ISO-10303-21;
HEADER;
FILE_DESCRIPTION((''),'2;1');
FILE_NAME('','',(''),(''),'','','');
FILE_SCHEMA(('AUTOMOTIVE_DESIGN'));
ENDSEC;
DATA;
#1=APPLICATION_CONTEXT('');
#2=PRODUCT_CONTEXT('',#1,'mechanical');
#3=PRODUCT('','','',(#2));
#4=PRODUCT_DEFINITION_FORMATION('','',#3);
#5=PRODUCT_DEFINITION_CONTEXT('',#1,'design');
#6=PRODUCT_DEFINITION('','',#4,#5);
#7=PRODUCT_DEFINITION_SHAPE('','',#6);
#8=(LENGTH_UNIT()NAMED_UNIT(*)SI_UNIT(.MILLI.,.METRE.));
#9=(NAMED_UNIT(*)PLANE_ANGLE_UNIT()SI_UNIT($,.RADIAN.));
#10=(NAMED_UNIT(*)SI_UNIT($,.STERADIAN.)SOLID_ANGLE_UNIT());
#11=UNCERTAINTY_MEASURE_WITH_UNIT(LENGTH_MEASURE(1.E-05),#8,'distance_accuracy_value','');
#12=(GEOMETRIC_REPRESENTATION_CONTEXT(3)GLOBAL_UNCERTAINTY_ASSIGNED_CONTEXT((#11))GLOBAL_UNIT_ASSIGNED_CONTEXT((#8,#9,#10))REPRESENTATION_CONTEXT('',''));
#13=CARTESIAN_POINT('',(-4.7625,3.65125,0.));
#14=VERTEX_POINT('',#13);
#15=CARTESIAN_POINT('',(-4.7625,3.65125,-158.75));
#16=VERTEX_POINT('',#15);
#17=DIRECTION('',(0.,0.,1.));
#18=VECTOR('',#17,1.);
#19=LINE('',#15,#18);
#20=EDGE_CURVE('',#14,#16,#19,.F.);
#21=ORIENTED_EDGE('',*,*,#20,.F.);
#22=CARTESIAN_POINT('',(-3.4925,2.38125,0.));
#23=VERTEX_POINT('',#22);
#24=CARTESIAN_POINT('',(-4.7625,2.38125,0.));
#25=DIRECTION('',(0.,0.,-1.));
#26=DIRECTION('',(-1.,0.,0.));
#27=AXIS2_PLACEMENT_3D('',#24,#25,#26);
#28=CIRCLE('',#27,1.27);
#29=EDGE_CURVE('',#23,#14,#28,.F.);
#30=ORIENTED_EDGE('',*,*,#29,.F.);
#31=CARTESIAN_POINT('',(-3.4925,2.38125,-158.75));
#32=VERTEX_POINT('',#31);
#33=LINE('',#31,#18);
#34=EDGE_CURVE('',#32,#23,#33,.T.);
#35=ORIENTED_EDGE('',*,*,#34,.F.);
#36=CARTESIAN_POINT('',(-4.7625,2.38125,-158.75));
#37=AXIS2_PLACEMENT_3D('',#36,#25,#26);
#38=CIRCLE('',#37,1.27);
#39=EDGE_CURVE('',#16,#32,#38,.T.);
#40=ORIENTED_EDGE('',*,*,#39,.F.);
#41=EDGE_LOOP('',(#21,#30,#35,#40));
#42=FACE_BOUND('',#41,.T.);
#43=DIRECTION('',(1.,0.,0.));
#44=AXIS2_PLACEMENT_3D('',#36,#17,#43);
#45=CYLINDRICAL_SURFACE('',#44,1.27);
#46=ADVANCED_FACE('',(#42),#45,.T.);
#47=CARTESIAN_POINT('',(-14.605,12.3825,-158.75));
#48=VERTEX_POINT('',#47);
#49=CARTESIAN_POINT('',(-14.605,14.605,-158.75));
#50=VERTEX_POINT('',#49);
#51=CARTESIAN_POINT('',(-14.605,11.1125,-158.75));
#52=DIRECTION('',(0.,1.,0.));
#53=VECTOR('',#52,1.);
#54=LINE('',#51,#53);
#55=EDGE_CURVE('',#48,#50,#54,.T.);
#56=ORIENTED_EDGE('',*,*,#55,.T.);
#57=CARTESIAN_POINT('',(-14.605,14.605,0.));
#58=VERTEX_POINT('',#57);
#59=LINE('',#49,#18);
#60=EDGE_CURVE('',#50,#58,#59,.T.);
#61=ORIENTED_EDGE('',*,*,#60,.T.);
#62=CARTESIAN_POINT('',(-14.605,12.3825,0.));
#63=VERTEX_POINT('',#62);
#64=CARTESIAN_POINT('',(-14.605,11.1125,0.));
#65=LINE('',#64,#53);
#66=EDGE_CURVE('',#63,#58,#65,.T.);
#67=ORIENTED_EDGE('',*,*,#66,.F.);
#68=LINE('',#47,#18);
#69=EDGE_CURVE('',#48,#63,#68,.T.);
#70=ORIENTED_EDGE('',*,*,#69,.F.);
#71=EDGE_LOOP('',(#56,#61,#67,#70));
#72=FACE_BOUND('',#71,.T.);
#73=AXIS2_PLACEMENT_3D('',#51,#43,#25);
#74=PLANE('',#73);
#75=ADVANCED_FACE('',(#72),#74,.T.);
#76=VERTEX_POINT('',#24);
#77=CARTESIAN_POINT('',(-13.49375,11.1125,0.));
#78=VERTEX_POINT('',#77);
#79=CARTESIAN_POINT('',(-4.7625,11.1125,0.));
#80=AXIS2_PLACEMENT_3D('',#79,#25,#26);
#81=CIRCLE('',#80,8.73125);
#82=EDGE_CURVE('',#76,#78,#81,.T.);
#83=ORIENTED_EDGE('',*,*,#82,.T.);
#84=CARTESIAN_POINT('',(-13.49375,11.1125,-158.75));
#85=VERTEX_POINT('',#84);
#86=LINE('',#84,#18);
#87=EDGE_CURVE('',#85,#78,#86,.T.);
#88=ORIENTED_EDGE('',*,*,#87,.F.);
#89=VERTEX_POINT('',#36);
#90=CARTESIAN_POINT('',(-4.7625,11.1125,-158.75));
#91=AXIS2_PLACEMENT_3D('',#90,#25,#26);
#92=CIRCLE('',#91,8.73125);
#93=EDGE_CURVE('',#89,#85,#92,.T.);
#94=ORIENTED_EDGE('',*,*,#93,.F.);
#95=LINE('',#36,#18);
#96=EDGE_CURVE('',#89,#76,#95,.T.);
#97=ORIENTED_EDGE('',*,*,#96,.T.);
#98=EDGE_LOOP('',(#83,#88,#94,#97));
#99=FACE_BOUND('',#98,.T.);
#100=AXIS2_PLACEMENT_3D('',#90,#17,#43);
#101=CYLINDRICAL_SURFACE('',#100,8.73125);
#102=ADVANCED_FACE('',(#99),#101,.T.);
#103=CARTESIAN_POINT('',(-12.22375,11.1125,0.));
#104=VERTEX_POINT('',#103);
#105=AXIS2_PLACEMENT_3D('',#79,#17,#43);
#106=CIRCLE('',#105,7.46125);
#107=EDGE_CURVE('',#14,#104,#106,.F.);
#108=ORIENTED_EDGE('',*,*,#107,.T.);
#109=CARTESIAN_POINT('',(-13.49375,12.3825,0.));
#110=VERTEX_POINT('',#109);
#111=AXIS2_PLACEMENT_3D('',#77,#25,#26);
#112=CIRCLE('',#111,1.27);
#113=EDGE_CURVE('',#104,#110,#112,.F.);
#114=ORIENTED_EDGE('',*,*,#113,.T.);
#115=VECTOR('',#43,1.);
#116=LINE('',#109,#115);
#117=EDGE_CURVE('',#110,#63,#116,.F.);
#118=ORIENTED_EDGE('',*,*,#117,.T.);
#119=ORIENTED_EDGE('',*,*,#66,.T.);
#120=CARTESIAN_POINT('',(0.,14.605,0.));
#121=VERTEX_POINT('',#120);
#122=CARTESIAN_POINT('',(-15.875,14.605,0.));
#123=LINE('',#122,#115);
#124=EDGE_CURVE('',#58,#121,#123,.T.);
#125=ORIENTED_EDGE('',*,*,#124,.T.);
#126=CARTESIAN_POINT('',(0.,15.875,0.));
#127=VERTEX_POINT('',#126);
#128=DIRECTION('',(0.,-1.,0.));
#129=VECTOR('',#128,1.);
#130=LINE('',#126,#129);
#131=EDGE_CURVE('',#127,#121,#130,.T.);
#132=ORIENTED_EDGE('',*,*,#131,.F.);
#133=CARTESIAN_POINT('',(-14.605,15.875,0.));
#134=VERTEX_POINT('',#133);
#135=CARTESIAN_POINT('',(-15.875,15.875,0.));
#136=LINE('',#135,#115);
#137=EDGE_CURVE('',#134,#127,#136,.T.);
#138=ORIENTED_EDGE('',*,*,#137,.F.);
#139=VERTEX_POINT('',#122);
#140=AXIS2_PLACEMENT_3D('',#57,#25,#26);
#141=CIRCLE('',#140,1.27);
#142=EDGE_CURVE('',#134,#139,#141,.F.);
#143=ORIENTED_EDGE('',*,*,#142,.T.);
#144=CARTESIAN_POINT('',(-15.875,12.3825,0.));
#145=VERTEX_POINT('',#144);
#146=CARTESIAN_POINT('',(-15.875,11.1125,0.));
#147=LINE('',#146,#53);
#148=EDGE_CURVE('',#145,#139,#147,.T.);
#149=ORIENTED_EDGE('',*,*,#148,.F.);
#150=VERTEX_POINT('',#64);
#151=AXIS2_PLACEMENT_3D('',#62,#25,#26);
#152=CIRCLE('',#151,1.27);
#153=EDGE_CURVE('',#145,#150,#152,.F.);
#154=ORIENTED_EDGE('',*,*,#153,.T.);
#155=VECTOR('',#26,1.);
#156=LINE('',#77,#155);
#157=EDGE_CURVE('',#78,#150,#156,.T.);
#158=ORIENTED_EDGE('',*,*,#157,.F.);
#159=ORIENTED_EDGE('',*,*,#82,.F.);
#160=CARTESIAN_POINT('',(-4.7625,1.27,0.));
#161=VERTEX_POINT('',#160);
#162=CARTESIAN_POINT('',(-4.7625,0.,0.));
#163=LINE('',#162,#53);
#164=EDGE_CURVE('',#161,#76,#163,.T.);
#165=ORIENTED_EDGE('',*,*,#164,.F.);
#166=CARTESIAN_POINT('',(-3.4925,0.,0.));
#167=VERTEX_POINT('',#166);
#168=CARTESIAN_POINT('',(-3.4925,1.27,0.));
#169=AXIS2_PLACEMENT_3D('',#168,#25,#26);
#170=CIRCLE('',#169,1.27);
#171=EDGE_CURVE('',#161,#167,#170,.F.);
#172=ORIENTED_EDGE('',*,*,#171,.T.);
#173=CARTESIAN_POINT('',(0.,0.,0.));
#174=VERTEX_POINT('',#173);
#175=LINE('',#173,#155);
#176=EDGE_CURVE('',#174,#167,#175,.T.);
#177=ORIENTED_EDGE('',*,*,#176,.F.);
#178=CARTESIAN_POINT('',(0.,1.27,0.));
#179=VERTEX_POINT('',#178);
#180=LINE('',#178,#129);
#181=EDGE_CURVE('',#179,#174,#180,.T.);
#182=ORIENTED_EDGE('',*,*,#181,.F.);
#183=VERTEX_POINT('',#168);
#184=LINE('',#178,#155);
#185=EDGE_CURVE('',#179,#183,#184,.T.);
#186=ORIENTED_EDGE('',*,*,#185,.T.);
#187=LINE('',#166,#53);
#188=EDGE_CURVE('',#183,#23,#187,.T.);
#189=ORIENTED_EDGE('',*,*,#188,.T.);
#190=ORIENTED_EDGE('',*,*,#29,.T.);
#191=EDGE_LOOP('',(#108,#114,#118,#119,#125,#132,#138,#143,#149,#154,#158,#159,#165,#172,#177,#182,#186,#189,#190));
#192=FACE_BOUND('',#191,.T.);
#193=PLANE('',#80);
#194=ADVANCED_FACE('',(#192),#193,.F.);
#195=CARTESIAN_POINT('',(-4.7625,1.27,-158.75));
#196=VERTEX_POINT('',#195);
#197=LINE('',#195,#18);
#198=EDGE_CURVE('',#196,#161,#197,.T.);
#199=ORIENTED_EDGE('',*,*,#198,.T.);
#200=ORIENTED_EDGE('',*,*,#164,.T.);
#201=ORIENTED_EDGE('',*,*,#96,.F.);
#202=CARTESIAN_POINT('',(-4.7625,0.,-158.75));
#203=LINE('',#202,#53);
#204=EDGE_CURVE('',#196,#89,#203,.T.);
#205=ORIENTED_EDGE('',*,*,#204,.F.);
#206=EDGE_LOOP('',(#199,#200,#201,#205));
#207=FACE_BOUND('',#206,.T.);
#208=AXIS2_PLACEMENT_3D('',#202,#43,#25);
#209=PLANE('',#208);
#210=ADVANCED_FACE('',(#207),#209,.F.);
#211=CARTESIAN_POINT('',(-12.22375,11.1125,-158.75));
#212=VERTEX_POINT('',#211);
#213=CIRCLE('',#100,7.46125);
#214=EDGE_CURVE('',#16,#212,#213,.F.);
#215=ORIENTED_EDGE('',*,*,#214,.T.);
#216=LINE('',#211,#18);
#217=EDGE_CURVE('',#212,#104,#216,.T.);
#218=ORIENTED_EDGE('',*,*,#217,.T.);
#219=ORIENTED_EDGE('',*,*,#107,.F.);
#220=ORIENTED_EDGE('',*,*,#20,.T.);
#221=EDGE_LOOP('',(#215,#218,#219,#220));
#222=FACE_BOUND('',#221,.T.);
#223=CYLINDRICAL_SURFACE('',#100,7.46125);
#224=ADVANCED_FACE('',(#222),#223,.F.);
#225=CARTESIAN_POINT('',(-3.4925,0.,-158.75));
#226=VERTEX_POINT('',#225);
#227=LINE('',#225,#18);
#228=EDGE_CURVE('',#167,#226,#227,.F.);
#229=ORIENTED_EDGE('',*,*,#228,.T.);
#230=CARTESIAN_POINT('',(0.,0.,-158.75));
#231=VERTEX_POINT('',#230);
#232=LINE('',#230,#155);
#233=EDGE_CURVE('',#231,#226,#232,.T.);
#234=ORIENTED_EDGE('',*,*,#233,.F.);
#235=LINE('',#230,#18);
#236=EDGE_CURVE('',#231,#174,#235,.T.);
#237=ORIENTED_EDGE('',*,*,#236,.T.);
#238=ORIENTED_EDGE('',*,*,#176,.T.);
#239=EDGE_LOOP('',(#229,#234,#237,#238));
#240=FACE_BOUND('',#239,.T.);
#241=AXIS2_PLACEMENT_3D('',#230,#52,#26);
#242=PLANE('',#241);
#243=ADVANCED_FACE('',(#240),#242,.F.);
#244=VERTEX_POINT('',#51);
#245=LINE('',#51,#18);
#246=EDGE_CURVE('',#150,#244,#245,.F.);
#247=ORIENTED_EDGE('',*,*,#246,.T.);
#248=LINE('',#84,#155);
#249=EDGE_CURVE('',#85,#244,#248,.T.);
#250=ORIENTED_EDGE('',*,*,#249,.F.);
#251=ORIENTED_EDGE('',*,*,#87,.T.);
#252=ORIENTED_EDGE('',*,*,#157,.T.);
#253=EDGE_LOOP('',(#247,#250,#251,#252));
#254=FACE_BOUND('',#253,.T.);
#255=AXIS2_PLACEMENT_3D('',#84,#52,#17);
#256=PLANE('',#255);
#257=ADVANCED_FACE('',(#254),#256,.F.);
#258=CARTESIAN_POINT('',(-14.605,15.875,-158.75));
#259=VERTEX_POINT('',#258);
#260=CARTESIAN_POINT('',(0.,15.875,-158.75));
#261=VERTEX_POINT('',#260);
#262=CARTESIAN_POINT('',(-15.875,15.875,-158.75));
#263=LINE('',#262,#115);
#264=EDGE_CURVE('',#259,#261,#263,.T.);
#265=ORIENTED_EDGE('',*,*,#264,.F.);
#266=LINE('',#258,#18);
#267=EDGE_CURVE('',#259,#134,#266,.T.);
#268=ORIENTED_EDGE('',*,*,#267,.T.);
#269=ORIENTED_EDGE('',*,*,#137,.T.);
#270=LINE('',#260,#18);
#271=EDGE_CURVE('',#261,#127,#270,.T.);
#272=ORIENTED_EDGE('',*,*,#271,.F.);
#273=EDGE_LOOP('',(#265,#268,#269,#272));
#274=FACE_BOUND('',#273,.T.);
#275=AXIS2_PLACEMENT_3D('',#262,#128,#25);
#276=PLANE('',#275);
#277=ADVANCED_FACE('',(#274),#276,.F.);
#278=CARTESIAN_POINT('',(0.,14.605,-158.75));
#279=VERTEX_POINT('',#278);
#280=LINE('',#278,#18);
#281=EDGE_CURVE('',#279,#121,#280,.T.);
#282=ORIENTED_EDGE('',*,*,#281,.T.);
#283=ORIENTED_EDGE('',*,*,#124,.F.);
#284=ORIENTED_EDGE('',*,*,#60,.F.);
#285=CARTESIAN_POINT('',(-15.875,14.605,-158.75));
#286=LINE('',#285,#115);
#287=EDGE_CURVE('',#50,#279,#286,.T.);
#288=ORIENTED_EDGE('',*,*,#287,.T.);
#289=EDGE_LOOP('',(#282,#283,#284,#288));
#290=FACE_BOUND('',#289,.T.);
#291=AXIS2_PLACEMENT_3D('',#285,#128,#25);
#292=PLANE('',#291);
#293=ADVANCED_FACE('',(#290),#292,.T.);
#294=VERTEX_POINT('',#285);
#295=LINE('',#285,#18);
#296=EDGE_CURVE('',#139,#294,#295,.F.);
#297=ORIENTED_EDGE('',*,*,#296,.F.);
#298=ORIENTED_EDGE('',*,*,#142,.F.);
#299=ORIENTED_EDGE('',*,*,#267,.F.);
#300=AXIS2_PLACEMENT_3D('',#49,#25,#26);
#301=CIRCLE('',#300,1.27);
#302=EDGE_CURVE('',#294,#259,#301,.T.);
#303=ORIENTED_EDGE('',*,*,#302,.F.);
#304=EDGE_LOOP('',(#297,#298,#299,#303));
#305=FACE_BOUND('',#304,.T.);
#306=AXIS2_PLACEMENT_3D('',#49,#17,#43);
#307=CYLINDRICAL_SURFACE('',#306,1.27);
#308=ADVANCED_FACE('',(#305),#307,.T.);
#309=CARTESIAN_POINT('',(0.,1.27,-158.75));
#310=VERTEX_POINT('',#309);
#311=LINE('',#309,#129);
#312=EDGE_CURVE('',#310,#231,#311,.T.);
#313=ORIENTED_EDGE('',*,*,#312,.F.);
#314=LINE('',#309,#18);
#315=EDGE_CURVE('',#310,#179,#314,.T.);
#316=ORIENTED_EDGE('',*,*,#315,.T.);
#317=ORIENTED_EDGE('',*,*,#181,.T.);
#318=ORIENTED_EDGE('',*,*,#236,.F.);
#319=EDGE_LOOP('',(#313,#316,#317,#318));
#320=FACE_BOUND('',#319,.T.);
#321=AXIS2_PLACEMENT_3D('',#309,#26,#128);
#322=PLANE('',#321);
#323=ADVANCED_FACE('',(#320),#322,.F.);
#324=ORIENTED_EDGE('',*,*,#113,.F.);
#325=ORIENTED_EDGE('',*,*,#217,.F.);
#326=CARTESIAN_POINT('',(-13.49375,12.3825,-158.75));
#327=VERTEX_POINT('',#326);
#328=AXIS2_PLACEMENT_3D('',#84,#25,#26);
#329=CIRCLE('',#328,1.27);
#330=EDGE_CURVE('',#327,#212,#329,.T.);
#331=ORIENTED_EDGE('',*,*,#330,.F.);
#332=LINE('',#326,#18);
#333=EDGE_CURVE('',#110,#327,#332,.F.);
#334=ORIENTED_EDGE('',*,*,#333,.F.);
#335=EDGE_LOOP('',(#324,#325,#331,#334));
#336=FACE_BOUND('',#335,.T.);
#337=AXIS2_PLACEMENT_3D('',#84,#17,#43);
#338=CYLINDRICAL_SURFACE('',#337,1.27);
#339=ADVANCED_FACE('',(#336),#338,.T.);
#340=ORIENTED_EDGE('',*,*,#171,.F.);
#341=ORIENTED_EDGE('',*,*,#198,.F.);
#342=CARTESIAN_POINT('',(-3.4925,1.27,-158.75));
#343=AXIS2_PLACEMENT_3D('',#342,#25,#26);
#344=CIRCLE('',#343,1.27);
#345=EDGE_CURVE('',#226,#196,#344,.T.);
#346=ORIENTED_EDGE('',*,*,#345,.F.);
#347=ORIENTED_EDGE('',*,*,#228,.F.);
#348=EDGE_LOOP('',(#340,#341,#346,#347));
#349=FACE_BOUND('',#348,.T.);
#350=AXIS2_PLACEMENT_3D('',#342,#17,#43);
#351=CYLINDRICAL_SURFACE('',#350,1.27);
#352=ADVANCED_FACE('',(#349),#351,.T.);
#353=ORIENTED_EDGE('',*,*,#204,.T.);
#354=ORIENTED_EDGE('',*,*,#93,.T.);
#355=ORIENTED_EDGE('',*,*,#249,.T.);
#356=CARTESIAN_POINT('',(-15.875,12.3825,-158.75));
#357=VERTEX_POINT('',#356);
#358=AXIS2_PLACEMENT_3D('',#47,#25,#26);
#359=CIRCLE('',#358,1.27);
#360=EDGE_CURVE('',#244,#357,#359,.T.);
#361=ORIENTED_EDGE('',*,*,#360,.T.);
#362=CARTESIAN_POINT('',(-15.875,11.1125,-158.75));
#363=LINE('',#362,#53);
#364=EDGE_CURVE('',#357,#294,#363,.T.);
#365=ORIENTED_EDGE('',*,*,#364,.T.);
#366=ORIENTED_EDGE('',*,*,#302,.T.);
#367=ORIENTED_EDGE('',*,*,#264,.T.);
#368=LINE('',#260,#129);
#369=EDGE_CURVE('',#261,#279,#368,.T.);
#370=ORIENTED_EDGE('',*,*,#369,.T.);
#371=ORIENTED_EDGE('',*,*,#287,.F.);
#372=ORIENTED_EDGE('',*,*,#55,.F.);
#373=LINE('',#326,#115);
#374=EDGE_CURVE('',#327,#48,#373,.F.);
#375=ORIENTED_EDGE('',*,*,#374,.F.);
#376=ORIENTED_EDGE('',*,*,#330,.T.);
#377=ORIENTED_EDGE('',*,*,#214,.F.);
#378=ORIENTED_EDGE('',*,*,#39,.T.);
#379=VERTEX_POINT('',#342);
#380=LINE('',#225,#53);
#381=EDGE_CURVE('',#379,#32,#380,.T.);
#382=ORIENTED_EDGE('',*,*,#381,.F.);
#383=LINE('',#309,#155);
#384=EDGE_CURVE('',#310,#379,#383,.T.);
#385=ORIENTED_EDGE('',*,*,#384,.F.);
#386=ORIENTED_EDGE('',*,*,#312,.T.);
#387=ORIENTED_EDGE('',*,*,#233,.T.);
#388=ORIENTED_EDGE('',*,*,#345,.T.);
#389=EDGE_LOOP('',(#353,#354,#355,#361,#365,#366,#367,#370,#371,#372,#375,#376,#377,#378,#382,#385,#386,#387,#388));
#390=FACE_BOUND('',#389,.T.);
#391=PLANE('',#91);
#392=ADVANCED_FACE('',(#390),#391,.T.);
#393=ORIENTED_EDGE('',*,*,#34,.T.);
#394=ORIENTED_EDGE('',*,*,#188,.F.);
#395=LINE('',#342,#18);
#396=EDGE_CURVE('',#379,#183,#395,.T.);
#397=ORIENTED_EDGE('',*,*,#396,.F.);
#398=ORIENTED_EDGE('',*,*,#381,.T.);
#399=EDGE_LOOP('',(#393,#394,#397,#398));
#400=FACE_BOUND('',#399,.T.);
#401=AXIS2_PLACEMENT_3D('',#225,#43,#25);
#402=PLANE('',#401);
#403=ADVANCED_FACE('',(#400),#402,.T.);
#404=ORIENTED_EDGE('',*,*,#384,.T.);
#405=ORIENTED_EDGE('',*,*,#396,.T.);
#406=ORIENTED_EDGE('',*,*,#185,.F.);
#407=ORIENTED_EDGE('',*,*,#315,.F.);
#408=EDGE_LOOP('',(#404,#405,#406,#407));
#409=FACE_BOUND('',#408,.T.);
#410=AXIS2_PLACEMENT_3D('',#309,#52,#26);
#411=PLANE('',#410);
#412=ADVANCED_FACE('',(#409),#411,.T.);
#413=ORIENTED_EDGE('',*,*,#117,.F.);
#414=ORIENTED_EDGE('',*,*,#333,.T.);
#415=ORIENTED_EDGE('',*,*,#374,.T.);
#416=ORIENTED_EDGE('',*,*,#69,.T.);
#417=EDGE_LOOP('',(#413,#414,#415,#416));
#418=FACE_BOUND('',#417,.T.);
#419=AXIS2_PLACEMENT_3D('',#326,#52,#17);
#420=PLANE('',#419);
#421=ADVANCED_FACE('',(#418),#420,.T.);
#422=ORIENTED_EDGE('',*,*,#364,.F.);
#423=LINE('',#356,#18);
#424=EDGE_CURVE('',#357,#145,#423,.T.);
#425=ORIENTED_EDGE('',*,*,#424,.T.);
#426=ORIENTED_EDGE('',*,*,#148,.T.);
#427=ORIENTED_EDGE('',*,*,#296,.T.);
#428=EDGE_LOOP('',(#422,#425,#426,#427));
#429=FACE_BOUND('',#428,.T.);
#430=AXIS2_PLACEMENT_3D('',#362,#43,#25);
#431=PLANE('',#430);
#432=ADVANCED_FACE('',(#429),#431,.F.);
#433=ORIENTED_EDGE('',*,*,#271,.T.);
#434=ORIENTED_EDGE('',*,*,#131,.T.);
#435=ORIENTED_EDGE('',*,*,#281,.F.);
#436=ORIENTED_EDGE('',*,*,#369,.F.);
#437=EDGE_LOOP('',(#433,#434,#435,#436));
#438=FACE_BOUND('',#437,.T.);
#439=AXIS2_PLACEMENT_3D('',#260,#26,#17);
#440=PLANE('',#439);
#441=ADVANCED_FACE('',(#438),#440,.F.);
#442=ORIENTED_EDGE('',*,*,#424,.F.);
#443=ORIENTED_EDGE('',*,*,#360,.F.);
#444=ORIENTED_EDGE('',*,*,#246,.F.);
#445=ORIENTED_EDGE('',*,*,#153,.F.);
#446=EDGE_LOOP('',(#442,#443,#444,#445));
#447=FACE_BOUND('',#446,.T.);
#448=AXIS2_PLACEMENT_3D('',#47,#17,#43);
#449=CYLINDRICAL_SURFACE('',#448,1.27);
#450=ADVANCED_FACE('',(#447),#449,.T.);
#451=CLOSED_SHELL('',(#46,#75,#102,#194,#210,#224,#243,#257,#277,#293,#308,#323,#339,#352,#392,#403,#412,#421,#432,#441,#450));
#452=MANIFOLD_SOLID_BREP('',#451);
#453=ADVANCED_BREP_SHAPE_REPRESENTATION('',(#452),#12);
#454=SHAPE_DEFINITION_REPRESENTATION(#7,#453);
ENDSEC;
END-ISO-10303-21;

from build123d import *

# Parameters (mm, degrees)
EXTRUDE_THIN1_DEPTH = 158.75
FILLET1_R           = 1.27


with BuildPart() as part:
    # Sketch1 → Extrude-Thin1 (new body)
    with BuildSketch(Plane.XY):
        with BuildLine():
            Line((0, 0), (-4.7625, 0))
            Line((-4.7625, 0), (-4.7625, 2.38125))
            ThreePointArc((-4.7625, 2.38125), (-10.936426, 4.938574), (-13.49375, 11.1125))
            Line((-13.49375, 11.1125), (-15.875, 11.1125))
            Line((-15.875, 11.1125), (-15.875, 15.875))
            Line((-15.875, 15.875), (0, 15.875))
            Line((0, 15.875), (0, 14.605))
            Line((0, 14.605), (-14.605, 14.605))
            Line((-14.605, 14.605), (-14.605, 12.3825))
            Line((-14.605, 12.3825), (-12.11487, 12.3825))
            ThreePointArc((-12.11487, 12.3825), (-10.0384, 5.8366), (-3.4925, 3.76013))
            Line((-3.4925, 3.76013), (-3.4925, 1.27))
            Line((-3.4925, 1.27), (0, 1.27))
            Line((0, 1.27), (0, 0))
        make_face()
    extrude(amount=-EXTRUDE_THIN1_DEPTH)

    # Fillet1
    fillet1_edges = [part.edges().sort_by_distance(p)[0] for p in [
        (-12.11487, 12.3825, -79.375),
        (-3.4925, 3.76013, -79.375),
        (-4.7625, 0, -79.375),
        (-15.875, 11.1125, -79.375),
        (-15.875, 15.875, -79.375),
    ]]
    fillet(fillet1_edges, radius=FILLET1_R)


solid = part.part
